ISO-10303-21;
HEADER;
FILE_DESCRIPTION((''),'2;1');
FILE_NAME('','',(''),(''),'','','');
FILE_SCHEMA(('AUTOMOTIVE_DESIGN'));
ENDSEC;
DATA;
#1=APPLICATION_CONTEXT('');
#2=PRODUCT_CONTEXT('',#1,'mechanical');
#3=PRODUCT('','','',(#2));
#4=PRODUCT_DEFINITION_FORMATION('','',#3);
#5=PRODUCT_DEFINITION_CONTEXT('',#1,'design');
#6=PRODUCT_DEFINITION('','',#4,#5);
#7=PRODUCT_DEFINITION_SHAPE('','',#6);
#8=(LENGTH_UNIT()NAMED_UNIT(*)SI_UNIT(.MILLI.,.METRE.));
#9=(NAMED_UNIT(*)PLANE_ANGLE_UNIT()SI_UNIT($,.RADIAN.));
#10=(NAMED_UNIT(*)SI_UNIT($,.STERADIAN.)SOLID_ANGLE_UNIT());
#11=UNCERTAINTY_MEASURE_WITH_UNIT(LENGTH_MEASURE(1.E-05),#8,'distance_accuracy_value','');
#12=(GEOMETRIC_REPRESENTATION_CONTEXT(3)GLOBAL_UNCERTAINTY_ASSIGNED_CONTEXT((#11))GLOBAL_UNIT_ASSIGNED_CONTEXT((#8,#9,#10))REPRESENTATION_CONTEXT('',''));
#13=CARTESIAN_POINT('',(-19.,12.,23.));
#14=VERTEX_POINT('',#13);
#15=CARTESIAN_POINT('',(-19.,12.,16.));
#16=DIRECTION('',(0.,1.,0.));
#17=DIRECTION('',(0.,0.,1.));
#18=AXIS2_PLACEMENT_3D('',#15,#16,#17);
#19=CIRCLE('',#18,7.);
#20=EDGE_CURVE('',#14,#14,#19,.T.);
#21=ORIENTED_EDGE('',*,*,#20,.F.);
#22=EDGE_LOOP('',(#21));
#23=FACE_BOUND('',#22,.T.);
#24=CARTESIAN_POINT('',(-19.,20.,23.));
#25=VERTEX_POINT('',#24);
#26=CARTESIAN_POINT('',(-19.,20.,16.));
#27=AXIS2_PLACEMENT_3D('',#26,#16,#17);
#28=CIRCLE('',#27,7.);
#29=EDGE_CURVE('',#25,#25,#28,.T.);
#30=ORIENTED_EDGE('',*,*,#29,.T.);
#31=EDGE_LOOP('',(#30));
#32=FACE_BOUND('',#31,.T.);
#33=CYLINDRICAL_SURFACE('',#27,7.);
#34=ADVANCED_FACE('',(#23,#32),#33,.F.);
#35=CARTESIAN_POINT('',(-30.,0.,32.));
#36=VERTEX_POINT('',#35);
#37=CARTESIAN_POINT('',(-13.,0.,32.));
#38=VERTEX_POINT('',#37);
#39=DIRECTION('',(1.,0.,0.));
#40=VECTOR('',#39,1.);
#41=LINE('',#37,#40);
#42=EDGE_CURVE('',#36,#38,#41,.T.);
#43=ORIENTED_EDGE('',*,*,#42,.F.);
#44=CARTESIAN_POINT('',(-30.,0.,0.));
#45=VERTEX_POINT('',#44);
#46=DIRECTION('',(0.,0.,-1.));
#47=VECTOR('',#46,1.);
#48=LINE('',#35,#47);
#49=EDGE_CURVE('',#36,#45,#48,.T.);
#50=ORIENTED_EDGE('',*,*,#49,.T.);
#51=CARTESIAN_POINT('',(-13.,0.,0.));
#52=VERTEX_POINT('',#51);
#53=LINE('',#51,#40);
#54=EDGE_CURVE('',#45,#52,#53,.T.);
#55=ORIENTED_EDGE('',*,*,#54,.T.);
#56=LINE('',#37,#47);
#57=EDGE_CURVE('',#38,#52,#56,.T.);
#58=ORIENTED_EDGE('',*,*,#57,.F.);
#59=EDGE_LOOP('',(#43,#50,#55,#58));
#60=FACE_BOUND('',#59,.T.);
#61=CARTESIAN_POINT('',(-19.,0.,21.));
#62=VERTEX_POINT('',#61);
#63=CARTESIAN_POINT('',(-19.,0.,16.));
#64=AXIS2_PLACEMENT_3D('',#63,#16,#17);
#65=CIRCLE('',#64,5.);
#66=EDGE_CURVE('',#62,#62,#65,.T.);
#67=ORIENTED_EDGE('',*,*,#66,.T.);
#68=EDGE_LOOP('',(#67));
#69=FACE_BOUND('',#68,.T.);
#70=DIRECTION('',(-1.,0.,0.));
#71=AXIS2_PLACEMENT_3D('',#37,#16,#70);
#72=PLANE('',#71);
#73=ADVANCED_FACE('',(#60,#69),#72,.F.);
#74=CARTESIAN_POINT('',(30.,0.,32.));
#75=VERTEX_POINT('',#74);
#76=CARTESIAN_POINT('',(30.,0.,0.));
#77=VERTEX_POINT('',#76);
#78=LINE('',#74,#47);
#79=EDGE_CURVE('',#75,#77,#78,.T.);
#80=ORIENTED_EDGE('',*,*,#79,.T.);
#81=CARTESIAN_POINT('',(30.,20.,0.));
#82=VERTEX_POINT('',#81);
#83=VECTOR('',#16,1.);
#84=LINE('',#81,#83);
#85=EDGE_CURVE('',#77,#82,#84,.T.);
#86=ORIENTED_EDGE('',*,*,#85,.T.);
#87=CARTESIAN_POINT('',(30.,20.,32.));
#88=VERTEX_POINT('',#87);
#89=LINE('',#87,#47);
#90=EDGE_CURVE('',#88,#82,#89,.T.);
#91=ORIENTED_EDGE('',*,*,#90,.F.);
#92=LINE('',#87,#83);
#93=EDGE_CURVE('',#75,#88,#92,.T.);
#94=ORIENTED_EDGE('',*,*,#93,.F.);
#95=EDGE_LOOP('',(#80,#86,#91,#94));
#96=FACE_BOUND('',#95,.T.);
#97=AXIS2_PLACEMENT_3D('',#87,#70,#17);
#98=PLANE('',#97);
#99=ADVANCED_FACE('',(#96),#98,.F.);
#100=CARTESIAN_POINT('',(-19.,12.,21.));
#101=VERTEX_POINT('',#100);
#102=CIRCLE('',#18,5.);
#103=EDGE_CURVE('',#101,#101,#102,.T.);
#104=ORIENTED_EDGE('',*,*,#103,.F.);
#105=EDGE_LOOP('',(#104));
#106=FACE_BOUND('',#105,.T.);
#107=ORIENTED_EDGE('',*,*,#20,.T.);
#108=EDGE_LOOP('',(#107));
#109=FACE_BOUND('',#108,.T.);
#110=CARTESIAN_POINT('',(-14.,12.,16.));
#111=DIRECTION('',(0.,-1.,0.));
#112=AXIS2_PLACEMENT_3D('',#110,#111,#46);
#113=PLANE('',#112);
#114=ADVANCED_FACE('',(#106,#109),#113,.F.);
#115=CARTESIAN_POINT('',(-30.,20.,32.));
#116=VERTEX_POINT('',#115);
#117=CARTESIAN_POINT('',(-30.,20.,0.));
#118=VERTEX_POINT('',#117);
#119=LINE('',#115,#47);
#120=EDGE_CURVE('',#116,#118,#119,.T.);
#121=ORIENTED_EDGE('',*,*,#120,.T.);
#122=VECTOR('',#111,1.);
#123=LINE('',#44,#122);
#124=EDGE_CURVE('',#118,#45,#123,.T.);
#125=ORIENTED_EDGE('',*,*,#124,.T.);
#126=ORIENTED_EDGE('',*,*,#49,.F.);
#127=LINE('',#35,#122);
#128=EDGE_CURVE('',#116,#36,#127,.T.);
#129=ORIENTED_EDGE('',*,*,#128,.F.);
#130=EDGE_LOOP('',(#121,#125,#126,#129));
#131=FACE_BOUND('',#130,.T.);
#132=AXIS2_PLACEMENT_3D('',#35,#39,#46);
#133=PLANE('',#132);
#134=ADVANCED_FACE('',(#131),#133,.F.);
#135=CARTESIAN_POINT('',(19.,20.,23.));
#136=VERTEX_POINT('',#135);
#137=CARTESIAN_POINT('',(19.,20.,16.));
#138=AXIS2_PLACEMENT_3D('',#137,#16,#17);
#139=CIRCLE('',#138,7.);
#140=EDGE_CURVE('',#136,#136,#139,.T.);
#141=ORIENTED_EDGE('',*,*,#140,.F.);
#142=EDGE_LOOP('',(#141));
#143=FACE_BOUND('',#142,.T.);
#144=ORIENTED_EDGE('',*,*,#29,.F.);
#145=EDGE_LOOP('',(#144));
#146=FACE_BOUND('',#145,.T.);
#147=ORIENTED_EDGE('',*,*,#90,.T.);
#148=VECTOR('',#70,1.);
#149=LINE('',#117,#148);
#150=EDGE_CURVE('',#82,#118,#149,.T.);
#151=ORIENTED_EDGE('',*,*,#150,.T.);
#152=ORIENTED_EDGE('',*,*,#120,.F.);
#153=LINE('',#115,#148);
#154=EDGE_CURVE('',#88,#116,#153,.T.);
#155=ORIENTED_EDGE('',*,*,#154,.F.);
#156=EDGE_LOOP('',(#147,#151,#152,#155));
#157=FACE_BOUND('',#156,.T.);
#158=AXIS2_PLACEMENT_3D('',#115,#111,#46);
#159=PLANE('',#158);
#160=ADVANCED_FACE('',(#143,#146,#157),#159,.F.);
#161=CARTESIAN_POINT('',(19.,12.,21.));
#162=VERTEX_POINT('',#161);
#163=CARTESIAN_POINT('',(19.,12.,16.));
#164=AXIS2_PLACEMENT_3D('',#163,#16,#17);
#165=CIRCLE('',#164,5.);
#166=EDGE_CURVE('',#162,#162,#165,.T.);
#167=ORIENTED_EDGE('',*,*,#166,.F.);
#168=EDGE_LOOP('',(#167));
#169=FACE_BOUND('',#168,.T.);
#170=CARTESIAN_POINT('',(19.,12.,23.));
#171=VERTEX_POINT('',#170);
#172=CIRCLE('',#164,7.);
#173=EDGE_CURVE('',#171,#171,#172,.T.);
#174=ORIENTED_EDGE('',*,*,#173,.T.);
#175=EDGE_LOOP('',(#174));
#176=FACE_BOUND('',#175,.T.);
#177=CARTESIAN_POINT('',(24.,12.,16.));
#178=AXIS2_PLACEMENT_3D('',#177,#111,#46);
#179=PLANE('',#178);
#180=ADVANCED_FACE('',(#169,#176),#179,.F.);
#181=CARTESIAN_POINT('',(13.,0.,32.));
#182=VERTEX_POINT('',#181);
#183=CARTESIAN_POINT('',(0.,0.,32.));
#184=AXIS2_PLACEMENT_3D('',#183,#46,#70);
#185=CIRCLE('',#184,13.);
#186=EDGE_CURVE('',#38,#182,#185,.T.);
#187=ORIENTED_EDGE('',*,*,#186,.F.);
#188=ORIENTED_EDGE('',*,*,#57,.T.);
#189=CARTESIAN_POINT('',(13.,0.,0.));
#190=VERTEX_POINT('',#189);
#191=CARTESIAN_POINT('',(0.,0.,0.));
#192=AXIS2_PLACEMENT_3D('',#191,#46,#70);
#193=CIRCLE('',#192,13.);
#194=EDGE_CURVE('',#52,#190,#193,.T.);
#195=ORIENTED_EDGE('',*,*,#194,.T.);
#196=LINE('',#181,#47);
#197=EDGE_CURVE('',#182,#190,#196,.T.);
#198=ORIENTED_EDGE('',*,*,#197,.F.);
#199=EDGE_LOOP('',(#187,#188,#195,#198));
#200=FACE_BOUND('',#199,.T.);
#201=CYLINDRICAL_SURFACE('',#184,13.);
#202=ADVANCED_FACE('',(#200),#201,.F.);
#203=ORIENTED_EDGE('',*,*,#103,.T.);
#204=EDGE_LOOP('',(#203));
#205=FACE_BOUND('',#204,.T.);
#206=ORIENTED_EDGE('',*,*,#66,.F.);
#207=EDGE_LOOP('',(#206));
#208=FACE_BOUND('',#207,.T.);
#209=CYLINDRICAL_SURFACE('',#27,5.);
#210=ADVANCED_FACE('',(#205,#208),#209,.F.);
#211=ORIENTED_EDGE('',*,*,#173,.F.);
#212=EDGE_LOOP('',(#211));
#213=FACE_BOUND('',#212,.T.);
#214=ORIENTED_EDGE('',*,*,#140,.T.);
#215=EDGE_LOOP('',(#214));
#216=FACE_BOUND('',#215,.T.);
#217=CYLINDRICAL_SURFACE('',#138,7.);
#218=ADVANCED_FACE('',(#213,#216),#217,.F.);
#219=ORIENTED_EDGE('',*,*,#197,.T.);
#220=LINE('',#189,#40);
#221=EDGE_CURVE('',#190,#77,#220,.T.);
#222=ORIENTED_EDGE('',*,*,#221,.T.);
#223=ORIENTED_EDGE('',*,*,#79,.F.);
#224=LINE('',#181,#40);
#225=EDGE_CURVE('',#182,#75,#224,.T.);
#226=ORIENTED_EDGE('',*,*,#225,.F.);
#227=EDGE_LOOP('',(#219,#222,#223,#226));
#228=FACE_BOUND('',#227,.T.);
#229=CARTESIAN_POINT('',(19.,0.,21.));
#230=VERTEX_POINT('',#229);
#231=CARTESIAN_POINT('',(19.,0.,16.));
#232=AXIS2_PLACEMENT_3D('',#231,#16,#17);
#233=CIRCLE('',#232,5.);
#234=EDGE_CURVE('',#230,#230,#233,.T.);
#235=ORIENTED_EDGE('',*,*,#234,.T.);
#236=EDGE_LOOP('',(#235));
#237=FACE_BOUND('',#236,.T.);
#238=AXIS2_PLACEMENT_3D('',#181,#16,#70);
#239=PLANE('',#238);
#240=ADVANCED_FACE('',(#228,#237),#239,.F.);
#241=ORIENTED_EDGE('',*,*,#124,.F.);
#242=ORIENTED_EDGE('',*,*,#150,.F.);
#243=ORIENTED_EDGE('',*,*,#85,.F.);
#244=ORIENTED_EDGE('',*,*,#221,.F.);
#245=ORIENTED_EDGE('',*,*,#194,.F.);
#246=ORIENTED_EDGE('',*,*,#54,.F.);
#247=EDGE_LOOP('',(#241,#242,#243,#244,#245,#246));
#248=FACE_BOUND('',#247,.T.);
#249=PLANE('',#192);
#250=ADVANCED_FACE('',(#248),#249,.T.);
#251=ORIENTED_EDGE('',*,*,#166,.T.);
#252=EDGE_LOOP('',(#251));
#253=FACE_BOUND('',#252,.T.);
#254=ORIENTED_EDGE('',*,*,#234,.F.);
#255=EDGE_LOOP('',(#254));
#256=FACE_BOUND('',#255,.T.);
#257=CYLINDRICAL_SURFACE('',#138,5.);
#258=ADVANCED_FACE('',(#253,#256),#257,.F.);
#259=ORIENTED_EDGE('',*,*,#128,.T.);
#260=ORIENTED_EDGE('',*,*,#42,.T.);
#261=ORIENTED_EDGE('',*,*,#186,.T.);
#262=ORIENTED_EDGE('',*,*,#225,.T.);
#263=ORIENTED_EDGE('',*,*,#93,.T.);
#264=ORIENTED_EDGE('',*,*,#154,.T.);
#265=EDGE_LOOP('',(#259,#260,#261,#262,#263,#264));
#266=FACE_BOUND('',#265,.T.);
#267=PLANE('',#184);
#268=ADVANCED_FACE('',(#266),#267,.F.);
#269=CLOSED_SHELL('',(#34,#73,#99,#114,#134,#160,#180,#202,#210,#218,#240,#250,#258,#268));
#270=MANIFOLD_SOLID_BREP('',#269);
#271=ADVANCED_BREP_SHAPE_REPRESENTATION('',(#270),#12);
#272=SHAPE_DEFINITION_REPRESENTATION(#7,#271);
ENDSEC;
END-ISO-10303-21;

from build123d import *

# Parameters (mm, degrees)
BOSS_EXTRUDE1_DEPTH            = 32
CBORE_FOR_M8_SHCS1_D           = 10
CBORE_FOR_M8_SHCS1_CBORE_D     = 14
CBORE_FOR_M8_SHCS1_CBORE_DEPTH = 8


with BuildPart() as part:
    # Sketch1 → Boss-Extrude1 (new body)
    with BuildSketch(Plane.XY):
        with BuildLine():
            Line((-13, 0), (-30, 0))
            Line((-30, 0), (-30, 20))
            Line((-30, 20), (30, 20))
            Line((30, 20), (30, 0))
            Line((30, 0), (13, 0))
            ThreePointArc((13, 0), (0, 13), (-13, 0))
        make_face()
    extrude(amount=BOSS_EXTRUDE1_DEPTH)

    # CBORE for M8 SHCS1 (through all)
    with Locations(Plane(origin=(0, 20, 0), x_dir=(1, 0, 0), z_dir=(0, 1, 0))):
        with Locations((-19, -16), (19, -16)):
            CounterBoreHole(CBORE_FOR_M8_SHCS1_D / 2, CBORE_FOR_M8_SHCS1_CBORE_D / 2, CBORE_FOR_M8_SHCS1_CBORE_DEPTH)


solid = part.part
